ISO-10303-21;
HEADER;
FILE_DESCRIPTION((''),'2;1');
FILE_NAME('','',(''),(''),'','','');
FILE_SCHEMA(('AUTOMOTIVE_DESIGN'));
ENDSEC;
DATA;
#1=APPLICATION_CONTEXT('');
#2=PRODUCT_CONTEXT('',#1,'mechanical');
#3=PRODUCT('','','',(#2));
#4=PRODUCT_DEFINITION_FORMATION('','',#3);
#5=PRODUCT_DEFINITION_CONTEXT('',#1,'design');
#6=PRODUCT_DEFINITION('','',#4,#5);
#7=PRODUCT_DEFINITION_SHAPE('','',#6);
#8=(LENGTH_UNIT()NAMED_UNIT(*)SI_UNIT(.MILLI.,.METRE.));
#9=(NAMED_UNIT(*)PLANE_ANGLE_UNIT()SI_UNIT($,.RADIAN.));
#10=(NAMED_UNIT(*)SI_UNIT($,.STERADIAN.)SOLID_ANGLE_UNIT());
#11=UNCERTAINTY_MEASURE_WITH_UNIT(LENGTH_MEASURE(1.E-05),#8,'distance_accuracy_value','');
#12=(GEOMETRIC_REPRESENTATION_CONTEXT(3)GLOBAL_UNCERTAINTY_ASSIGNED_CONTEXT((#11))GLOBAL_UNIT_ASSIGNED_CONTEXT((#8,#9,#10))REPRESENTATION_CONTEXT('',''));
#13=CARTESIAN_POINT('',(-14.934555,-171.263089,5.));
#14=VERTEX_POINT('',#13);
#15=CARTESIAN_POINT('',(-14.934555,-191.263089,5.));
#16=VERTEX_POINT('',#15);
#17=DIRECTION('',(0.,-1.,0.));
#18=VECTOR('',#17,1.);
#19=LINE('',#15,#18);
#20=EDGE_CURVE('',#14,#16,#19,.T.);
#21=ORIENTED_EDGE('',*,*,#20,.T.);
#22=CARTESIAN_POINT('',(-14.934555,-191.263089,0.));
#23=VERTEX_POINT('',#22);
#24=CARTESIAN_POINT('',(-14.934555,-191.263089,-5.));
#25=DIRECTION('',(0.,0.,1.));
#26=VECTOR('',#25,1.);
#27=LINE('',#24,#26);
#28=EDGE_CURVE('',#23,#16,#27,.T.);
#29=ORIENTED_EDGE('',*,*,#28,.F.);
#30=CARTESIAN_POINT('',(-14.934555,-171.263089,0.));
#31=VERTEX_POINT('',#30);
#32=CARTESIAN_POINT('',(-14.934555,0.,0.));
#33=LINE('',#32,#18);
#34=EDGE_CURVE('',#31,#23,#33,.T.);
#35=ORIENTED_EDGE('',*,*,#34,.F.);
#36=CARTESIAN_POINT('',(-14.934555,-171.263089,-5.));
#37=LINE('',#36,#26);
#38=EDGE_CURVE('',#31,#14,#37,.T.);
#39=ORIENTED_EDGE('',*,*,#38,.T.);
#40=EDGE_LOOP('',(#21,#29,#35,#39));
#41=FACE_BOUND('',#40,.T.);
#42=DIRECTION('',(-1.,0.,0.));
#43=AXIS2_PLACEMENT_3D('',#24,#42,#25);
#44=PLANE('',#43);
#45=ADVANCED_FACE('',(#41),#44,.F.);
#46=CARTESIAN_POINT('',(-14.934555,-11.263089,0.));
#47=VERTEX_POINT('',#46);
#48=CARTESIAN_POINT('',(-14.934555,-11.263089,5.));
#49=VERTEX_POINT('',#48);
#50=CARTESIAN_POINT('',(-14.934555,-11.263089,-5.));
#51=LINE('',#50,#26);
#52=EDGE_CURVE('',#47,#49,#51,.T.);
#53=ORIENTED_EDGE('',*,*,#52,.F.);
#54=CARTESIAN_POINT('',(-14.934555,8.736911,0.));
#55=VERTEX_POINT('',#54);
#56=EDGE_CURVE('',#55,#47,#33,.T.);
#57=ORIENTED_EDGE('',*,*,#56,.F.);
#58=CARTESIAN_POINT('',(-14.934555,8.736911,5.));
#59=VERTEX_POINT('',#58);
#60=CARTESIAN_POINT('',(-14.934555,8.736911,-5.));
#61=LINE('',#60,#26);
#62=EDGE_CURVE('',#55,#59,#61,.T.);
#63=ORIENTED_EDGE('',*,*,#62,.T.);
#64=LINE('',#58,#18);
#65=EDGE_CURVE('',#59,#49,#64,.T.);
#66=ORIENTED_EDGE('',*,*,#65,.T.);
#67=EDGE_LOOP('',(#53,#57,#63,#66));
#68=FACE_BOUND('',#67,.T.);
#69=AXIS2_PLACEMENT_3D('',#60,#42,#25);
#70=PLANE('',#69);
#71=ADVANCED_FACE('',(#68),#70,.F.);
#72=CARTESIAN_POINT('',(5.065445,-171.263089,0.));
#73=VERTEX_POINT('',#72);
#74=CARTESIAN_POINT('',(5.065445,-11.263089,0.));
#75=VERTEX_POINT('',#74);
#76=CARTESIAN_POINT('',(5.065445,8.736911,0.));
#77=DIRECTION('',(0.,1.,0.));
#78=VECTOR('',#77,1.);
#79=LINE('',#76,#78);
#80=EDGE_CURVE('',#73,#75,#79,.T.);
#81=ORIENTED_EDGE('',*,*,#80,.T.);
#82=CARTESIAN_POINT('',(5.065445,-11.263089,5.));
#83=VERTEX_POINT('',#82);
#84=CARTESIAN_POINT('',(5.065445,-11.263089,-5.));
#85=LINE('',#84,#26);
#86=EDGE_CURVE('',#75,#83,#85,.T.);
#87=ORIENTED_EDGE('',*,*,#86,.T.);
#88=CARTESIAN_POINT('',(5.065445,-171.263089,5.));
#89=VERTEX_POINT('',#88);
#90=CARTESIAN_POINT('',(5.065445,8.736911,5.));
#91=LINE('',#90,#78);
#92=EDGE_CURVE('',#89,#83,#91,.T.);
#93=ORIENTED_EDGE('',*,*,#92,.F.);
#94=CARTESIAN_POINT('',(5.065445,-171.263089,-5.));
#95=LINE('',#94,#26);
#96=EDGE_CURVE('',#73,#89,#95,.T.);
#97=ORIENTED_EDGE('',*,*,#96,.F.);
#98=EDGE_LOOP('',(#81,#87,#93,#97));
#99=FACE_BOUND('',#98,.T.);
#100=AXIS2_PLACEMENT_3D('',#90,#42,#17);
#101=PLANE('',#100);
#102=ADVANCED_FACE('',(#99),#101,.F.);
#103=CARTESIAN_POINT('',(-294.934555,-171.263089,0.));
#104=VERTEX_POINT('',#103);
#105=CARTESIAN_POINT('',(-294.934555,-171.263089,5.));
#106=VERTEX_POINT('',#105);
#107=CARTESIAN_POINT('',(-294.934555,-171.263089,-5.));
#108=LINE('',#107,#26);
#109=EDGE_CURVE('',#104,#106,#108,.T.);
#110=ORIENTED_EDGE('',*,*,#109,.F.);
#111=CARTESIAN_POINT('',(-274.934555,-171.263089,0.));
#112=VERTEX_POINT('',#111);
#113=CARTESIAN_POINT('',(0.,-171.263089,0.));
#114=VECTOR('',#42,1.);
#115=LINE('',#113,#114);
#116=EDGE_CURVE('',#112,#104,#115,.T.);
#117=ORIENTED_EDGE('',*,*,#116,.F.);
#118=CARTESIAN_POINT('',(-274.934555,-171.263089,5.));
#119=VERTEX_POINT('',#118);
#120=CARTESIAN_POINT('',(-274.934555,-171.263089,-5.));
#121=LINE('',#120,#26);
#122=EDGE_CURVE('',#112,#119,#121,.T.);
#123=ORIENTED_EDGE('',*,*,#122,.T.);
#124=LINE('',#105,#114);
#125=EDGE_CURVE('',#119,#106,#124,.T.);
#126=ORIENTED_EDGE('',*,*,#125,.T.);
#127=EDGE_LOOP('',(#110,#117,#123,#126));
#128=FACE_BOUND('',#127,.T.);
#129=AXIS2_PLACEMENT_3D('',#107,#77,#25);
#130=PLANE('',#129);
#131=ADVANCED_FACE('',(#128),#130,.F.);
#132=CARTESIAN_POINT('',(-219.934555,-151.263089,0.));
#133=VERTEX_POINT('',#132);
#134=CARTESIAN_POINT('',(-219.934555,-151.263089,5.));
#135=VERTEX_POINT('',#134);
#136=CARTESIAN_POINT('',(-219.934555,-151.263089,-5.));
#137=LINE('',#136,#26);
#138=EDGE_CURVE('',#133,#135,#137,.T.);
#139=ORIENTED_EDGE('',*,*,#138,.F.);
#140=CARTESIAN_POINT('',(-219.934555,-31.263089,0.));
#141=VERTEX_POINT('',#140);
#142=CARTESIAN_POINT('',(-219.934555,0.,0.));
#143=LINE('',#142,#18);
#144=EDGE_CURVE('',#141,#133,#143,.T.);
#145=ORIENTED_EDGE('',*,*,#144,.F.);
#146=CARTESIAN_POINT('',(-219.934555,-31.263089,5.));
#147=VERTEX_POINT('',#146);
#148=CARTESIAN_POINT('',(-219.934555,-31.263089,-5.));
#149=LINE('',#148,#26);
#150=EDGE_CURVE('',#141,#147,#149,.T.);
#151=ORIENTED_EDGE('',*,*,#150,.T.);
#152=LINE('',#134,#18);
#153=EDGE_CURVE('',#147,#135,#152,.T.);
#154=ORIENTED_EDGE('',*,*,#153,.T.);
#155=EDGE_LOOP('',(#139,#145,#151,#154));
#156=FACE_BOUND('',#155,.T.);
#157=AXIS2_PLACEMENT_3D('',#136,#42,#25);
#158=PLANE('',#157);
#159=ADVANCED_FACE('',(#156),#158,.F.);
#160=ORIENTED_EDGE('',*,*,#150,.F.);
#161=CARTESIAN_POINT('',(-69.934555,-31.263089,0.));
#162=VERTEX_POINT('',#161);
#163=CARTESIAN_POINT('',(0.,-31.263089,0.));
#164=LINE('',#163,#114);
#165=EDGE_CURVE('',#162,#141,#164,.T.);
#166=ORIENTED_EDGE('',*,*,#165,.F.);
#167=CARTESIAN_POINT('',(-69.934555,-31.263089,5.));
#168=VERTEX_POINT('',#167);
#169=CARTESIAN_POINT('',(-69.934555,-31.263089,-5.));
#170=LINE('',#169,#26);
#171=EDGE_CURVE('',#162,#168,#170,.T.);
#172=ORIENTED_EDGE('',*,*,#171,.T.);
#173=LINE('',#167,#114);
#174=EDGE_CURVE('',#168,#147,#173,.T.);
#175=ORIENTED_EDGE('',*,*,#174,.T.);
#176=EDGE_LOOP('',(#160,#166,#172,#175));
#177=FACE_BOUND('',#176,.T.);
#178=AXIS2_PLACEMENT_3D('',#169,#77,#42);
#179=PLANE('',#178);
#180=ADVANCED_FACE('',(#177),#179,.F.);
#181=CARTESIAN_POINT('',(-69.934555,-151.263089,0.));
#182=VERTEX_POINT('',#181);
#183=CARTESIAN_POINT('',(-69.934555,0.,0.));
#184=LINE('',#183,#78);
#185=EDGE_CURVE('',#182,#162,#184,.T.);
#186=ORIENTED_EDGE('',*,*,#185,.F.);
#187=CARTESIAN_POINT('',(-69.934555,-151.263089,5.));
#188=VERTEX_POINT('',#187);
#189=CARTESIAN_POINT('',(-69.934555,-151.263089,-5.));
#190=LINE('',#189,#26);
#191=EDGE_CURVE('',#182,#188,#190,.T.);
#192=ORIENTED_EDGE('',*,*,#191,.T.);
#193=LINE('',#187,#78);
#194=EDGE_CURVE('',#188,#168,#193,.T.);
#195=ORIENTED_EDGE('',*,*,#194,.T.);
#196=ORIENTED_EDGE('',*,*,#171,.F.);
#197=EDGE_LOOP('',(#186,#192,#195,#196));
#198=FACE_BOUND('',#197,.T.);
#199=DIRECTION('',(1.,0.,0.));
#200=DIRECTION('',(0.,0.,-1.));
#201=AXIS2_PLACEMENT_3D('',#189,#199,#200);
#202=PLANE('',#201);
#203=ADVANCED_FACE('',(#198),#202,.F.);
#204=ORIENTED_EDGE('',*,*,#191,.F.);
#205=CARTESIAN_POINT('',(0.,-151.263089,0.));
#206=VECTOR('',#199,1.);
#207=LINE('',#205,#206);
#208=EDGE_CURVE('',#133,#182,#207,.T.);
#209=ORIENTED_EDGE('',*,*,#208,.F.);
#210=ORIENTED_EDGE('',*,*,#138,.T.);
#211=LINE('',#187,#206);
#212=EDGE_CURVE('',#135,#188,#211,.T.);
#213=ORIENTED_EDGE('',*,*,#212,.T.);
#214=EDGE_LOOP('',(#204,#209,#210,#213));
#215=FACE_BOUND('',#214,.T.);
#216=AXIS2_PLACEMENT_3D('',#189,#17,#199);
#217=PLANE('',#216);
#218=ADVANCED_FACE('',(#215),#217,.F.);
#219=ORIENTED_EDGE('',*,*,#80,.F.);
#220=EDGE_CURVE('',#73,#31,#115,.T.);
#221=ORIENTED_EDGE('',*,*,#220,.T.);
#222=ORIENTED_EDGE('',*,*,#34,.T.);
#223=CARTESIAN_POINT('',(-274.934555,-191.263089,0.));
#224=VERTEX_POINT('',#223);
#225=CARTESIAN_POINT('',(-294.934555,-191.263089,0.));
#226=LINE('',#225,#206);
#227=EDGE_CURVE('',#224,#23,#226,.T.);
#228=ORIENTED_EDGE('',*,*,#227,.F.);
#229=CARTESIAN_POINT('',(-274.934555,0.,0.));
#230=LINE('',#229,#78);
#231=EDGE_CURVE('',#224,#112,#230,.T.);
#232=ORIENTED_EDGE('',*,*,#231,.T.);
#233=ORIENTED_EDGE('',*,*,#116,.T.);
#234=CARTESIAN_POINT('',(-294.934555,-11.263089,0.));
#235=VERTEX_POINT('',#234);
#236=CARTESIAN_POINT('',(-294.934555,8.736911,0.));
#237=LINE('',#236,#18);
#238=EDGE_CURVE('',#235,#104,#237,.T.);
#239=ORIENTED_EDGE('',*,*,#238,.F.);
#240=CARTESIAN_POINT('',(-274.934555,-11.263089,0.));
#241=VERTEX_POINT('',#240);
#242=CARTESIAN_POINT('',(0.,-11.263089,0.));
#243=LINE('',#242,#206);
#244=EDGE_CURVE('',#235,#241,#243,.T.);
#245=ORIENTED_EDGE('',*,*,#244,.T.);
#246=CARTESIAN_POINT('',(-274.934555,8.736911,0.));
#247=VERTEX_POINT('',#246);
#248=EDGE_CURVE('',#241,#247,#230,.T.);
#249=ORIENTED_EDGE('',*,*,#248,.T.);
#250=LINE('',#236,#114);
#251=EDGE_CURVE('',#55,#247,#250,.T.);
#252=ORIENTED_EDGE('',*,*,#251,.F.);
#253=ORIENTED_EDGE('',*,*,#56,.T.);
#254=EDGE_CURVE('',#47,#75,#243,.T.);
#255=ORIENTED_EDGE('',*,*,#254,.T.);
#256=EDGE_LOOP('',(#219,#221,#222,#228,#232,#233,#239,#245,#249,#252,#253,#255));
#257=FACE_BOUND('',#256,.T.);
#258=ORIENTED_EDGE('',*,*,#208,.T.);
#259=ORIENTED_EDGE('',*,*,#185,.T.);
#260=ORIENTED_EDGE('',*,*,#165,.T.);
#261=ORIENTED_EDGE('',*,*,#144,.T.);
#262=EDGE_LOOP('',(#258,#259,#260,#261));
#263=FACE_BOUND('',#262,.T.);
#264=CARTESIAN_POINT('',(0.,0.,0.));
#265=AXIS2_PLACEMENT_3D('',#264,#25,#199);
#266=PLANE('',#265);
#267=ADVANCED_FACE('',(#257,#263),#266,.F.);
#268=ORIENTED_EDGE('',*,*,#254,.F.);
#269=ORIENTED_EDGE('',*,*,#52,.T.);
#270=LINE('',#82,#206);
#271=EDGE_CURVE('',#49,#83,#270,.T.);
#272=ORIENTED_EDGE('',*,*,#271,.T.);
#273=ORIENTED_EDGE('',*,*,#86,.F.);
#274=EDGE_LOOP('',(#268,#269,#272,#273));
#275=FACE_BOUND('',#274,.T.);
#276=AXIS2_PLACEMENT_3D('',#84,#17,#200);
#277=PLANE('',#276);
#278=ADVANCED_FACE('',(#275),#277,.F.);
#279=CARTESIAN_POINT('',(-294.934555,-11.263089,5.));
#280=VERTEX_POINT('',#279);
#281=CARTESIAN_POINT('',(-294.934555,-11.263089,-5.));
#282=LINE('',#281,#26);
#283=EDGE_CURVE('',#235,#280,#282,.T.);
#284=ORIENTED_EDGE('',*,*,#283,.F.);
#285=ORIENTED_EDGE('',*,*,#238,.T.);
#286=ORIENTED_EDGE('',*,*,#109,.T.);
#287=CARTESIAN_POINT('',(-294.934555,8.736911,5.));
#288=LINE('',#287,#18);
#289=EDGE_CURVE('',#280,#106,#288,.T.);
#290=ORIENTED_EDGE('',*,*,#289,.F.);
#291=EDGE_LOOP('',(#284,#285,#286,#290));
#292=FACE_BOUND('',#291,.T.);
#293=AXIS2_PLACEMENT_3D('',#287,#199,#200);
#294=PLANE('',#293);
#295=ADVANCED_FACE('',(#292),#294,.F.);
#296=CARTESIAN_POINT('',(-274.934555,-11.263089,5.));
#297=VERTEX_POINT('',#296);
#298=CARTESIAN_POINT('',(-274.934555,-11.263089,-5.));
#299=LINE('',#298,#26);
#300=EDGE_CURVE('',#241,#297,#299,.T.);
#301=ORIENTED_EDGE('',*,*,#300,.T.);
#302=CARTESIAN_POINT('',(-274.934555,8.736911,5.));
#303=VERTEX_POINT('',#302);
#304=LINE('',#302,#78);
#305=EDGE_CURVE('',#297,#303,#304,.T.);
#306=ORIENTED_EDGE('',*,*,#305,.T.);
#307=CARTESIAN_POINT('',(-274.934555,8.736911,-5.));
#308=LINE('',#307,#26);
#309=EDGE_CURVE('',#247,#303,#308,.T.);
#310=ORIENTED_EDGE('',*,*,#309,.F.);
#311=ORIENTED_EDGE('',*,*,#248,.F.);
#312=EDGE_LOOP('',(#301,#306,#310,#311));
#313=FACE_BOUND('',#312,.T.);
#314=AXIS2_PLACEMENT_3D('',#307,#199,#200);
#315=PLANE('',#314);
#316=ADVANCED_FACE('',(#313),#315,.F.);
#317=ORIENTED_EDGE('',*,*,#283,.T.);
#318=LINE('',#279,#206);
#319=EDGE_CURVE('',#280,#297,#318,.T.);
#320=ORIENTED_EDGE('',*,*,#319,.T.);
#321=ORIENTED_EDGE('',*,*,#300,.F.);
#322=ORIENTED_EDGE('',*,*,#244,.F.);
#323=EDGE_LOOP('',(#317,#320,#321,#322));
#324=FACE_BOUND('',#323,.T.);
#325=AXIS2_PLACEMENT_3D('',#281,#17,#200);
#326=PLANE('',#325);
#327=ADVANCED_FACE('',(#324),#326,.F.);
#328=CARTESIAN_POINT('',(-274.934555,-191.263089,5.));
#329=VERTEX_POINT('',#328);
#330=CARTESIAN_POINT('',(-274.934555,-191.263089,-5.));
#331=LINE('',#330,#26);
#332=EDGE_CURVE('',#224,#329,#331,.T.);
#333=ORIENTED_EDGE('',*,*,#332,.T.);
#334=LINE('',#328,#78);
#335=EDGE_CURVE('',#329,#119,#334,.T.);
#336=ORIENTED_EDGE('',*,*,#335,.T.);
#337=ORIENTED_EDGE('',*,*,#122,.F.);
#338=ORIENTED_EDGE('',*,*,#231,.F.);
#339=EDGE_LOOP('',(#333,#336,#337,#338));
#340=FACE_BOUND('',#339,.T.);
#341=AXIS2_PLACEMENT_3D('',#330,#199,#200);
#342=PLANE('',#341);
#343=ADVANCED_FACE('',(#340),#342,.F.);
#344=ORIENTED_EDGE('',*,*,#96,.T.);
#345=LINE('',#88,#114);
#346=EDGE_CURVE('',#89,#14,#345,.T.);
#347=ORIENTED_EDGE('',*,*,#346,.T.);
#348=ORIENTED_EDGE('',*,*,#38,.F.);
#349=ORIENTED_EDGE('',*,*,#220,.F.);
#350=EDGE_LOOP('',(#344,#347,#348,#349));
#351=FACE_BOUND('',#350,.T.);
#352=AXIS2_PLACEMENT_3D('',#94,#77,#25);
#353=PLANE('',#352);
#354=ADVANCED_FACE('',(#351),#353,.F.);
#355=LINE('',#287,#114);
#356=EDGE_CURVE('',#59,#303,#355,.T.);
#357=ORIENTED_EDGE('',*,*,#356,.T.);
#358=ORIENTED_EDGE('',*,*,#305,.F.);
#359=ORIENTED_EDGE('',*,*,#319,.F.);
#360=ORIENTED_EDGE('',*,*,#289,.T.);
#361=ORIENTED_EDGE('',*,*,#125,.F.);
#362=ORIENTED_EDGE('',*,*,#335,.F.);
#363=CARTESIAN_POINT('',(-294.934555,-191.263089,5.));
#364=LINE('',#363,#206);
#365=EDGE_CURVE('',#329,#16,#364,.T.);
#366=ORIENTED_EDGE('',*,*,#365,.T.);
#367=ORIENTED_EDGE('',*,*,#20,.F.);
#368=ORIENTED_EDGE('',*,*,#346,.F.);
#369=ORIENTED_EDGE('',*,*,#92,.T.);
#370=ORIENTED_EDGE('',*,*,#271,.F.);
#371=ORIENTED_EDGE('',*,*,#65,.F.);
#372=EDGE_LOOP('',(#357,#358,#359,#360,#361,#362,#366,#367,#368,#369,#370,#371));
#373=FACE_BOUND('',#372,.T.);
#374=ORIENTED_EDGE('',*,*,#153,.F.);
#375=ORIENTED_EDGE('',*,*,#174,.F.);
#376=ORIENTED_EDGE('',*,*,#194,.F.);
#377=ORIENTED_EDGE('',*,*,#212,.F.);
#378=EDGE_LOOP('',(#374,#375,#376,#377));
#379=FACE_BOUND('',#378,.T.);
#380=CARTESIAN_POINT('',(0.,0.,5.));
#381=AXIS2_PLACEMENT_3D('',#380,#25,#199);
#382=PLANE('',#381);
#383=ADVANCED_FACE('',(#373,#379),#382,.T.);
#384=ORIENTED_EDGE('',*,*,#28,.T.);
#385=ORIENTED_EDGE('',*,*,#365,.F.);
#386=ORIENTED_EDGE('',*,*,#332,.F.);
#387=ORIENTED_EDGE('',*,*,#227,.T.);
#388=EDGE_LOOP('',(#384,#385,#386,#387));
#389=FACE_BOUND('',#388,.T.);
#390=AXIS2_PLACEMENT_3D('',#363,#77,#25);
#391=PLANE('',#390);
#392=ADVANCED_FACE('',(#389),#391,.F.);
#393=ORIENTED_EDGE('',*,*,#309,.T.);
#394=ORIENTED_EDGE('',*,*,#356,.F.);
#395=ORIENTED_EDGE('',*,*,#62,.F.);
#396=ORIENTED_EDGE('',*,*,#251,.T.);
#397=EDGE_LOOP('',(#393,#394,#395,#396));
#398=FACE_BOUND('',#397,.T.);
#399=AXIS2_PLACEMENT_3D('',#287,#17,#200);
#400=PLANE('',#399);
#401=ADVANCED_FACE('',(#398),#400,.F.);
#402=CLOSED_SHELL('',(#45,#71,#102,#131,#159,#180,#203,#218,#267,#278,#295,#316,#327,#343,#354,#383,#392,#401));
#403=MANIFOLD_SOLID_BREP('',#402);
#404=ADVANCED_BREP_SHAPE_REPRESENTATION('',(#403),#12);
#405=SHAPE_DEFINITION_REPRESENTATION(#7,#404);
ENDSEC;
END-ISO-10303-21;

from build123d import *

# Parameters (mm, degrees)
CROQUIS1_W              = 300
CROQUIS1_H              = 200
SALIENTE_EXTRUIR1_DEPTH = 5
CROQUIS4_W              = 20
CROQUIS4_H              = 20
CORTAR_EXTRUIR4_DEPTH   = 10
CROQUIS5_W              = 150
CROQUIS5_H              = 120
CORTAR_EXTRUIR6_DEPTH   = 10


with BuildPart() as part:
    # Croquis1 → Saliente-Extruir1 (new body)
    with BuildSketch(Plane.XY):
        with Locations((-144.934554974, -91.263089005)):
            Rectangle(CROQUIS1_W, CROQUIS1_H)
    extrude(amount=SALIENTE_EXTRUIR1_DEPTH)

    # Croquis4 → Cortar-Extruir4 (cut)
    with BuildSketch(Plane.XY.offset(5)):
        with Locations((-284.934554974, -1.263089005)):
            Rectangle(CROQUIS4_W, CROQUIS4_H)
        with Locations((-4.934554974, -1.263089005)):
            Rectangle(CROQUIS4_W, CROQUIS4_H)
        with Locations((-284.934554974, -181.263089005)):
            Rectangle(CROQUIS4_W, CROQUIS4_H)
        with Locations((-4.934554974, -181.263089005)):
            Rectangle(CROQUIS4_W, CROQUIS4_H)
    extrude(amount=-CORTAR_EXTRUIR4_DEPTH, mode=Mode.SUBTRACT)

    # Croquis5 → Cortar-Extruir6 (cut)
    with BuildSketch(Plane.XY.offset(5)):
        with Locations((-144.934554974, -91.263089005)):
            Rectangle(CROQUIS5_W, CROQUIS5_H)
    extrude(amount=-CORTAR_EXTRUIR6_DEPTH, mode=Mode.SUBTRACT)


solid = part.part
